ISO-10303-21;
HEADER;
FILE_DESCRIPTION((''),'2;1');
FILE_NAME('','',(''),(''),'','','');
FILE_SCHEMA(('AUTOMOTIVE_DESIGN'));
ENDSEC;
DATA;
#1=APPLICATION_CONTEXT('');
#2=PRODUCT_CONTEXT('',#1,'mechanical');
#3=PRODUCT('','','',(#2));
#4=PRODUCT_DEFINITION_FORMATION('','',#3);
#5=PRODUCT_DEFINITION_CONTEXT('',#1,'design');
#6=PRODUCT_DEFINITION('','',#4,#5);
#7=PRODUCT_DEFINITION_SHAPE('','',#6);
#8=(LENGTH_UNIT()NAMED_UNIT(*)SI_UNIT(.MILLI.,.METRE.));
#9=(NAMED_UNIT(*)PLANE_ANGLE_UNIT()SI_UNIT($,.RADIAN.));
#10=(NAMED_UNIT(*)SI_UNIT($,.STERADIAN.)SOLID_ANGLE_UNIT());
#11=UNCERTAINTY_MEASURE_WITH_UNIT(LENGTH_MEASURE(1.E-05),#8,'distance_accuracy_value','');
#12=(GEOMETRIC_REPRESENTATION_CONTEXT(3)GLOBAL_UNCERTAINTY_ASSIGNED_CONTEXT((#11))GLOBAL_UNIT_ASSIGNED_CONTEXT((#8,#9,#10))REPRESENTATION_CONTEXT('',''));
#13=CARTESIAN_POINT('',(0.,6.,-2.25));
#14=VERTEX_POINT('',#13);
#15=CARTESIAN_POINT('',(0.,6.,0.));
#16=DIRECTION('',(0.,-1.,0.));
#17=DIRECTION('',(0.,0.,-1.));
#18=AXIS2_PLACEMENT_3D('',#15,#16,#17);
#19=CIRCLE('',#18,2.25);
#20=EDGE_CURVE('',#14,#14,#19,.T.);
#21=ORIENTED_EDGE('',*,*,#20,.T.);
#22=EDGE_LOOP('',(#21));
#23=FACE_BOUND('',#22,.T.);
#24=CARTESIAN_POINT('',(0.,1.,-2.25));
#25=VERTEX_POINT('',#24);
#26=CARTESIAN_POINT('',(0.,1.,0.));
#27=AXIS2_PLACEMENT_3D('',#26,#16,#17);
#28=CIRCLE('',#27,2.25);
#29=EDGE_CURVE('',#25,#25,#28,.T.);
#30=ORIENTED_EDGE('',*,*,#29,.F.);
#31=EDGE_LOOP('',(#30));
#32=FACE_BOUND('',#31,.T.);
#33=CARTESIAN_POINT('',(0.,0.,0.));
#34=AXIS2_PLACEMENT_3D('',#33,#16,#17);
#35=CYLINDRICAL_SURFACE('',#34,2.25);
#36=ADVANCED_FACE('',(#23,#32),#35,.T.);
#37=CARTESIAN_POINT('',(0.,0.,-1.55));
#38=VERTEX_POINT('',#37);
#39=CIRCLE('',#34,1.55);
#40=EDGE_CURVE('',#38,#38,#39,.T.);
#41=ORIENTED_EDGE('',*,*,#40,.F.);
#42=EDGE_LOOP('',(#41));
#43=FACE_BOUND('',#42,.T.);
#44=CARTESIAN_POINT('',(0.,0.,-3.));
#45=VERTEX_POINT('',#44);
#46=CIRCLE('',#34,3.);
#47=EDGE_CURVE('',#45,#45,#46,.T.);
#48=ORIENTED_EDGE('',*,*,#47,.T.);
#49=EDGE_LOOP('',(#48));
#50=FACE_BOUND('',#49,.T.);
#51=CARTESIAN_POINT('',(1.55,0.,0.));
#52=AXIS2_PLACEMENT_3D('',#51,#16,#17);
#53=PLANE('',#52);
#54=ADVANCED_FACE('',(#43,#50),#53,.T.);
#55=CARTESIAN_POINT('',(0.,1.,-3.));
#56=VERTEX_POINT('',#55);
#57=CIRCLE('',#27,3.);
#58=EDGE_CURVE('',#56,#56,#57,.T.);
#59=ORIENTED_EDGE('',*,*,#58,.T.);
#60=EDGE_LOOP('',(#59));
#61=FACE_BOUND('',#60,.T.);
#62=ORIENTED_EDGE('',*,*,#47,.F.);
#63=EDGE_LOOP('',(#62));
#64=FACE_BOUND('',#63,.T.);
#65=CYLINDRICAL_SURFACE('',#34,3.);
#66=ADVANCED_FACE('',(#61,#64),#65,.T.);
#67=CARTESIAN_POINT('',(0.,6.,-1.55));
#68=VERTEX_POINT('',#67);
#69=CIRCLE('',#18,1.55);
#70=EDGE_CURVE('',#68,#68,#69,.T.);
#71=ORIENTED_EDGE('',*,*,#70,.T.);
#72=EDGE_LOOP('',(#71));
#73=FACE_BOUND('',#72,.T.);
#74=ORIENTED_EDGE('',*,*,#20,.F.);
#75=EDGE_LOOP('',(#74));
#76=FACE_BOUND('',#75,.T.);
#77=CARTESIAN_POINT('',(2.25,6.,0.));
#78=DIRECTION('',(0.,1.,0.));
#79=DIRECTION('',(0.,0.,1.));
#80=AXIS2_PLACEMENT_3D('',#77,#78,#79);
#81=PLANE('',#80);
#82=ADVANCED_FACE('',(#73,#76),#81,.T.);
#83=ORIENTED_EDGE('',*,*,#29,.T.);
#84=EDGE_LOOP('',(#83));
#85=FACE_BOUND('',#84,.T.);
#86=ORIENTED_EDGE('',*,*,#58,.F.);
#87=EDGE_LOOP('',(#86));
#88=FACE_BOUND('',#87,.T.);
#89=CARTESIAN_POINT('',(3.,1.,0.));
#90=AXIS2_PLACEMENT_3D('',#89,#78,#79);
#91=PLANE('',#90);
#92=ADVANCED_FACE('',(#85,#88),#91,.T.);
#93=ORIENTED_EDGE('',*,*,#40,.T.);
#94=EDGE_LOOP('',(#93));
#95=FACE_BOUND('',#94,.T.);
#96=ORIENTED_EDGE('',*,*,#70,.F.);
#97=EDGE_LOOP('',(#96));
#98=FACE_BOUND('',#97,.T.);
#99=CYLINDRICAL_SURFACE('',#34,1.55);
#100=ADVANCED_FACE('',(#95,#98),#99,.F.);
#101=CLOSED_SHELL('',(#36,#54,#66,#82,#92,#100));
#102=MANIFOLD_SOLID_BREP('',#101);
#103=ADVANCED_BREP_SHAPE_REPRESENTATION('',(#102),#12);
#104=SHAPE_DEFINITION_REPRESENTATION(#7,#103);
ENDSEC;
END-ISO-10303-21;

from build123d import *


with BuildPart() as part:
    # Эскиз1 → Повернуть1 (revolve)
    with BuildSketch(Plane.XY):
        Polygon((1.55, 6), (1.55, 0), (3, 0), (3, 1), (2.25, 1), (2.25, 6), align=None)
    revolve(axis=Axis((0, 0, 0), (0, 1, 0)))


solid = part.part
